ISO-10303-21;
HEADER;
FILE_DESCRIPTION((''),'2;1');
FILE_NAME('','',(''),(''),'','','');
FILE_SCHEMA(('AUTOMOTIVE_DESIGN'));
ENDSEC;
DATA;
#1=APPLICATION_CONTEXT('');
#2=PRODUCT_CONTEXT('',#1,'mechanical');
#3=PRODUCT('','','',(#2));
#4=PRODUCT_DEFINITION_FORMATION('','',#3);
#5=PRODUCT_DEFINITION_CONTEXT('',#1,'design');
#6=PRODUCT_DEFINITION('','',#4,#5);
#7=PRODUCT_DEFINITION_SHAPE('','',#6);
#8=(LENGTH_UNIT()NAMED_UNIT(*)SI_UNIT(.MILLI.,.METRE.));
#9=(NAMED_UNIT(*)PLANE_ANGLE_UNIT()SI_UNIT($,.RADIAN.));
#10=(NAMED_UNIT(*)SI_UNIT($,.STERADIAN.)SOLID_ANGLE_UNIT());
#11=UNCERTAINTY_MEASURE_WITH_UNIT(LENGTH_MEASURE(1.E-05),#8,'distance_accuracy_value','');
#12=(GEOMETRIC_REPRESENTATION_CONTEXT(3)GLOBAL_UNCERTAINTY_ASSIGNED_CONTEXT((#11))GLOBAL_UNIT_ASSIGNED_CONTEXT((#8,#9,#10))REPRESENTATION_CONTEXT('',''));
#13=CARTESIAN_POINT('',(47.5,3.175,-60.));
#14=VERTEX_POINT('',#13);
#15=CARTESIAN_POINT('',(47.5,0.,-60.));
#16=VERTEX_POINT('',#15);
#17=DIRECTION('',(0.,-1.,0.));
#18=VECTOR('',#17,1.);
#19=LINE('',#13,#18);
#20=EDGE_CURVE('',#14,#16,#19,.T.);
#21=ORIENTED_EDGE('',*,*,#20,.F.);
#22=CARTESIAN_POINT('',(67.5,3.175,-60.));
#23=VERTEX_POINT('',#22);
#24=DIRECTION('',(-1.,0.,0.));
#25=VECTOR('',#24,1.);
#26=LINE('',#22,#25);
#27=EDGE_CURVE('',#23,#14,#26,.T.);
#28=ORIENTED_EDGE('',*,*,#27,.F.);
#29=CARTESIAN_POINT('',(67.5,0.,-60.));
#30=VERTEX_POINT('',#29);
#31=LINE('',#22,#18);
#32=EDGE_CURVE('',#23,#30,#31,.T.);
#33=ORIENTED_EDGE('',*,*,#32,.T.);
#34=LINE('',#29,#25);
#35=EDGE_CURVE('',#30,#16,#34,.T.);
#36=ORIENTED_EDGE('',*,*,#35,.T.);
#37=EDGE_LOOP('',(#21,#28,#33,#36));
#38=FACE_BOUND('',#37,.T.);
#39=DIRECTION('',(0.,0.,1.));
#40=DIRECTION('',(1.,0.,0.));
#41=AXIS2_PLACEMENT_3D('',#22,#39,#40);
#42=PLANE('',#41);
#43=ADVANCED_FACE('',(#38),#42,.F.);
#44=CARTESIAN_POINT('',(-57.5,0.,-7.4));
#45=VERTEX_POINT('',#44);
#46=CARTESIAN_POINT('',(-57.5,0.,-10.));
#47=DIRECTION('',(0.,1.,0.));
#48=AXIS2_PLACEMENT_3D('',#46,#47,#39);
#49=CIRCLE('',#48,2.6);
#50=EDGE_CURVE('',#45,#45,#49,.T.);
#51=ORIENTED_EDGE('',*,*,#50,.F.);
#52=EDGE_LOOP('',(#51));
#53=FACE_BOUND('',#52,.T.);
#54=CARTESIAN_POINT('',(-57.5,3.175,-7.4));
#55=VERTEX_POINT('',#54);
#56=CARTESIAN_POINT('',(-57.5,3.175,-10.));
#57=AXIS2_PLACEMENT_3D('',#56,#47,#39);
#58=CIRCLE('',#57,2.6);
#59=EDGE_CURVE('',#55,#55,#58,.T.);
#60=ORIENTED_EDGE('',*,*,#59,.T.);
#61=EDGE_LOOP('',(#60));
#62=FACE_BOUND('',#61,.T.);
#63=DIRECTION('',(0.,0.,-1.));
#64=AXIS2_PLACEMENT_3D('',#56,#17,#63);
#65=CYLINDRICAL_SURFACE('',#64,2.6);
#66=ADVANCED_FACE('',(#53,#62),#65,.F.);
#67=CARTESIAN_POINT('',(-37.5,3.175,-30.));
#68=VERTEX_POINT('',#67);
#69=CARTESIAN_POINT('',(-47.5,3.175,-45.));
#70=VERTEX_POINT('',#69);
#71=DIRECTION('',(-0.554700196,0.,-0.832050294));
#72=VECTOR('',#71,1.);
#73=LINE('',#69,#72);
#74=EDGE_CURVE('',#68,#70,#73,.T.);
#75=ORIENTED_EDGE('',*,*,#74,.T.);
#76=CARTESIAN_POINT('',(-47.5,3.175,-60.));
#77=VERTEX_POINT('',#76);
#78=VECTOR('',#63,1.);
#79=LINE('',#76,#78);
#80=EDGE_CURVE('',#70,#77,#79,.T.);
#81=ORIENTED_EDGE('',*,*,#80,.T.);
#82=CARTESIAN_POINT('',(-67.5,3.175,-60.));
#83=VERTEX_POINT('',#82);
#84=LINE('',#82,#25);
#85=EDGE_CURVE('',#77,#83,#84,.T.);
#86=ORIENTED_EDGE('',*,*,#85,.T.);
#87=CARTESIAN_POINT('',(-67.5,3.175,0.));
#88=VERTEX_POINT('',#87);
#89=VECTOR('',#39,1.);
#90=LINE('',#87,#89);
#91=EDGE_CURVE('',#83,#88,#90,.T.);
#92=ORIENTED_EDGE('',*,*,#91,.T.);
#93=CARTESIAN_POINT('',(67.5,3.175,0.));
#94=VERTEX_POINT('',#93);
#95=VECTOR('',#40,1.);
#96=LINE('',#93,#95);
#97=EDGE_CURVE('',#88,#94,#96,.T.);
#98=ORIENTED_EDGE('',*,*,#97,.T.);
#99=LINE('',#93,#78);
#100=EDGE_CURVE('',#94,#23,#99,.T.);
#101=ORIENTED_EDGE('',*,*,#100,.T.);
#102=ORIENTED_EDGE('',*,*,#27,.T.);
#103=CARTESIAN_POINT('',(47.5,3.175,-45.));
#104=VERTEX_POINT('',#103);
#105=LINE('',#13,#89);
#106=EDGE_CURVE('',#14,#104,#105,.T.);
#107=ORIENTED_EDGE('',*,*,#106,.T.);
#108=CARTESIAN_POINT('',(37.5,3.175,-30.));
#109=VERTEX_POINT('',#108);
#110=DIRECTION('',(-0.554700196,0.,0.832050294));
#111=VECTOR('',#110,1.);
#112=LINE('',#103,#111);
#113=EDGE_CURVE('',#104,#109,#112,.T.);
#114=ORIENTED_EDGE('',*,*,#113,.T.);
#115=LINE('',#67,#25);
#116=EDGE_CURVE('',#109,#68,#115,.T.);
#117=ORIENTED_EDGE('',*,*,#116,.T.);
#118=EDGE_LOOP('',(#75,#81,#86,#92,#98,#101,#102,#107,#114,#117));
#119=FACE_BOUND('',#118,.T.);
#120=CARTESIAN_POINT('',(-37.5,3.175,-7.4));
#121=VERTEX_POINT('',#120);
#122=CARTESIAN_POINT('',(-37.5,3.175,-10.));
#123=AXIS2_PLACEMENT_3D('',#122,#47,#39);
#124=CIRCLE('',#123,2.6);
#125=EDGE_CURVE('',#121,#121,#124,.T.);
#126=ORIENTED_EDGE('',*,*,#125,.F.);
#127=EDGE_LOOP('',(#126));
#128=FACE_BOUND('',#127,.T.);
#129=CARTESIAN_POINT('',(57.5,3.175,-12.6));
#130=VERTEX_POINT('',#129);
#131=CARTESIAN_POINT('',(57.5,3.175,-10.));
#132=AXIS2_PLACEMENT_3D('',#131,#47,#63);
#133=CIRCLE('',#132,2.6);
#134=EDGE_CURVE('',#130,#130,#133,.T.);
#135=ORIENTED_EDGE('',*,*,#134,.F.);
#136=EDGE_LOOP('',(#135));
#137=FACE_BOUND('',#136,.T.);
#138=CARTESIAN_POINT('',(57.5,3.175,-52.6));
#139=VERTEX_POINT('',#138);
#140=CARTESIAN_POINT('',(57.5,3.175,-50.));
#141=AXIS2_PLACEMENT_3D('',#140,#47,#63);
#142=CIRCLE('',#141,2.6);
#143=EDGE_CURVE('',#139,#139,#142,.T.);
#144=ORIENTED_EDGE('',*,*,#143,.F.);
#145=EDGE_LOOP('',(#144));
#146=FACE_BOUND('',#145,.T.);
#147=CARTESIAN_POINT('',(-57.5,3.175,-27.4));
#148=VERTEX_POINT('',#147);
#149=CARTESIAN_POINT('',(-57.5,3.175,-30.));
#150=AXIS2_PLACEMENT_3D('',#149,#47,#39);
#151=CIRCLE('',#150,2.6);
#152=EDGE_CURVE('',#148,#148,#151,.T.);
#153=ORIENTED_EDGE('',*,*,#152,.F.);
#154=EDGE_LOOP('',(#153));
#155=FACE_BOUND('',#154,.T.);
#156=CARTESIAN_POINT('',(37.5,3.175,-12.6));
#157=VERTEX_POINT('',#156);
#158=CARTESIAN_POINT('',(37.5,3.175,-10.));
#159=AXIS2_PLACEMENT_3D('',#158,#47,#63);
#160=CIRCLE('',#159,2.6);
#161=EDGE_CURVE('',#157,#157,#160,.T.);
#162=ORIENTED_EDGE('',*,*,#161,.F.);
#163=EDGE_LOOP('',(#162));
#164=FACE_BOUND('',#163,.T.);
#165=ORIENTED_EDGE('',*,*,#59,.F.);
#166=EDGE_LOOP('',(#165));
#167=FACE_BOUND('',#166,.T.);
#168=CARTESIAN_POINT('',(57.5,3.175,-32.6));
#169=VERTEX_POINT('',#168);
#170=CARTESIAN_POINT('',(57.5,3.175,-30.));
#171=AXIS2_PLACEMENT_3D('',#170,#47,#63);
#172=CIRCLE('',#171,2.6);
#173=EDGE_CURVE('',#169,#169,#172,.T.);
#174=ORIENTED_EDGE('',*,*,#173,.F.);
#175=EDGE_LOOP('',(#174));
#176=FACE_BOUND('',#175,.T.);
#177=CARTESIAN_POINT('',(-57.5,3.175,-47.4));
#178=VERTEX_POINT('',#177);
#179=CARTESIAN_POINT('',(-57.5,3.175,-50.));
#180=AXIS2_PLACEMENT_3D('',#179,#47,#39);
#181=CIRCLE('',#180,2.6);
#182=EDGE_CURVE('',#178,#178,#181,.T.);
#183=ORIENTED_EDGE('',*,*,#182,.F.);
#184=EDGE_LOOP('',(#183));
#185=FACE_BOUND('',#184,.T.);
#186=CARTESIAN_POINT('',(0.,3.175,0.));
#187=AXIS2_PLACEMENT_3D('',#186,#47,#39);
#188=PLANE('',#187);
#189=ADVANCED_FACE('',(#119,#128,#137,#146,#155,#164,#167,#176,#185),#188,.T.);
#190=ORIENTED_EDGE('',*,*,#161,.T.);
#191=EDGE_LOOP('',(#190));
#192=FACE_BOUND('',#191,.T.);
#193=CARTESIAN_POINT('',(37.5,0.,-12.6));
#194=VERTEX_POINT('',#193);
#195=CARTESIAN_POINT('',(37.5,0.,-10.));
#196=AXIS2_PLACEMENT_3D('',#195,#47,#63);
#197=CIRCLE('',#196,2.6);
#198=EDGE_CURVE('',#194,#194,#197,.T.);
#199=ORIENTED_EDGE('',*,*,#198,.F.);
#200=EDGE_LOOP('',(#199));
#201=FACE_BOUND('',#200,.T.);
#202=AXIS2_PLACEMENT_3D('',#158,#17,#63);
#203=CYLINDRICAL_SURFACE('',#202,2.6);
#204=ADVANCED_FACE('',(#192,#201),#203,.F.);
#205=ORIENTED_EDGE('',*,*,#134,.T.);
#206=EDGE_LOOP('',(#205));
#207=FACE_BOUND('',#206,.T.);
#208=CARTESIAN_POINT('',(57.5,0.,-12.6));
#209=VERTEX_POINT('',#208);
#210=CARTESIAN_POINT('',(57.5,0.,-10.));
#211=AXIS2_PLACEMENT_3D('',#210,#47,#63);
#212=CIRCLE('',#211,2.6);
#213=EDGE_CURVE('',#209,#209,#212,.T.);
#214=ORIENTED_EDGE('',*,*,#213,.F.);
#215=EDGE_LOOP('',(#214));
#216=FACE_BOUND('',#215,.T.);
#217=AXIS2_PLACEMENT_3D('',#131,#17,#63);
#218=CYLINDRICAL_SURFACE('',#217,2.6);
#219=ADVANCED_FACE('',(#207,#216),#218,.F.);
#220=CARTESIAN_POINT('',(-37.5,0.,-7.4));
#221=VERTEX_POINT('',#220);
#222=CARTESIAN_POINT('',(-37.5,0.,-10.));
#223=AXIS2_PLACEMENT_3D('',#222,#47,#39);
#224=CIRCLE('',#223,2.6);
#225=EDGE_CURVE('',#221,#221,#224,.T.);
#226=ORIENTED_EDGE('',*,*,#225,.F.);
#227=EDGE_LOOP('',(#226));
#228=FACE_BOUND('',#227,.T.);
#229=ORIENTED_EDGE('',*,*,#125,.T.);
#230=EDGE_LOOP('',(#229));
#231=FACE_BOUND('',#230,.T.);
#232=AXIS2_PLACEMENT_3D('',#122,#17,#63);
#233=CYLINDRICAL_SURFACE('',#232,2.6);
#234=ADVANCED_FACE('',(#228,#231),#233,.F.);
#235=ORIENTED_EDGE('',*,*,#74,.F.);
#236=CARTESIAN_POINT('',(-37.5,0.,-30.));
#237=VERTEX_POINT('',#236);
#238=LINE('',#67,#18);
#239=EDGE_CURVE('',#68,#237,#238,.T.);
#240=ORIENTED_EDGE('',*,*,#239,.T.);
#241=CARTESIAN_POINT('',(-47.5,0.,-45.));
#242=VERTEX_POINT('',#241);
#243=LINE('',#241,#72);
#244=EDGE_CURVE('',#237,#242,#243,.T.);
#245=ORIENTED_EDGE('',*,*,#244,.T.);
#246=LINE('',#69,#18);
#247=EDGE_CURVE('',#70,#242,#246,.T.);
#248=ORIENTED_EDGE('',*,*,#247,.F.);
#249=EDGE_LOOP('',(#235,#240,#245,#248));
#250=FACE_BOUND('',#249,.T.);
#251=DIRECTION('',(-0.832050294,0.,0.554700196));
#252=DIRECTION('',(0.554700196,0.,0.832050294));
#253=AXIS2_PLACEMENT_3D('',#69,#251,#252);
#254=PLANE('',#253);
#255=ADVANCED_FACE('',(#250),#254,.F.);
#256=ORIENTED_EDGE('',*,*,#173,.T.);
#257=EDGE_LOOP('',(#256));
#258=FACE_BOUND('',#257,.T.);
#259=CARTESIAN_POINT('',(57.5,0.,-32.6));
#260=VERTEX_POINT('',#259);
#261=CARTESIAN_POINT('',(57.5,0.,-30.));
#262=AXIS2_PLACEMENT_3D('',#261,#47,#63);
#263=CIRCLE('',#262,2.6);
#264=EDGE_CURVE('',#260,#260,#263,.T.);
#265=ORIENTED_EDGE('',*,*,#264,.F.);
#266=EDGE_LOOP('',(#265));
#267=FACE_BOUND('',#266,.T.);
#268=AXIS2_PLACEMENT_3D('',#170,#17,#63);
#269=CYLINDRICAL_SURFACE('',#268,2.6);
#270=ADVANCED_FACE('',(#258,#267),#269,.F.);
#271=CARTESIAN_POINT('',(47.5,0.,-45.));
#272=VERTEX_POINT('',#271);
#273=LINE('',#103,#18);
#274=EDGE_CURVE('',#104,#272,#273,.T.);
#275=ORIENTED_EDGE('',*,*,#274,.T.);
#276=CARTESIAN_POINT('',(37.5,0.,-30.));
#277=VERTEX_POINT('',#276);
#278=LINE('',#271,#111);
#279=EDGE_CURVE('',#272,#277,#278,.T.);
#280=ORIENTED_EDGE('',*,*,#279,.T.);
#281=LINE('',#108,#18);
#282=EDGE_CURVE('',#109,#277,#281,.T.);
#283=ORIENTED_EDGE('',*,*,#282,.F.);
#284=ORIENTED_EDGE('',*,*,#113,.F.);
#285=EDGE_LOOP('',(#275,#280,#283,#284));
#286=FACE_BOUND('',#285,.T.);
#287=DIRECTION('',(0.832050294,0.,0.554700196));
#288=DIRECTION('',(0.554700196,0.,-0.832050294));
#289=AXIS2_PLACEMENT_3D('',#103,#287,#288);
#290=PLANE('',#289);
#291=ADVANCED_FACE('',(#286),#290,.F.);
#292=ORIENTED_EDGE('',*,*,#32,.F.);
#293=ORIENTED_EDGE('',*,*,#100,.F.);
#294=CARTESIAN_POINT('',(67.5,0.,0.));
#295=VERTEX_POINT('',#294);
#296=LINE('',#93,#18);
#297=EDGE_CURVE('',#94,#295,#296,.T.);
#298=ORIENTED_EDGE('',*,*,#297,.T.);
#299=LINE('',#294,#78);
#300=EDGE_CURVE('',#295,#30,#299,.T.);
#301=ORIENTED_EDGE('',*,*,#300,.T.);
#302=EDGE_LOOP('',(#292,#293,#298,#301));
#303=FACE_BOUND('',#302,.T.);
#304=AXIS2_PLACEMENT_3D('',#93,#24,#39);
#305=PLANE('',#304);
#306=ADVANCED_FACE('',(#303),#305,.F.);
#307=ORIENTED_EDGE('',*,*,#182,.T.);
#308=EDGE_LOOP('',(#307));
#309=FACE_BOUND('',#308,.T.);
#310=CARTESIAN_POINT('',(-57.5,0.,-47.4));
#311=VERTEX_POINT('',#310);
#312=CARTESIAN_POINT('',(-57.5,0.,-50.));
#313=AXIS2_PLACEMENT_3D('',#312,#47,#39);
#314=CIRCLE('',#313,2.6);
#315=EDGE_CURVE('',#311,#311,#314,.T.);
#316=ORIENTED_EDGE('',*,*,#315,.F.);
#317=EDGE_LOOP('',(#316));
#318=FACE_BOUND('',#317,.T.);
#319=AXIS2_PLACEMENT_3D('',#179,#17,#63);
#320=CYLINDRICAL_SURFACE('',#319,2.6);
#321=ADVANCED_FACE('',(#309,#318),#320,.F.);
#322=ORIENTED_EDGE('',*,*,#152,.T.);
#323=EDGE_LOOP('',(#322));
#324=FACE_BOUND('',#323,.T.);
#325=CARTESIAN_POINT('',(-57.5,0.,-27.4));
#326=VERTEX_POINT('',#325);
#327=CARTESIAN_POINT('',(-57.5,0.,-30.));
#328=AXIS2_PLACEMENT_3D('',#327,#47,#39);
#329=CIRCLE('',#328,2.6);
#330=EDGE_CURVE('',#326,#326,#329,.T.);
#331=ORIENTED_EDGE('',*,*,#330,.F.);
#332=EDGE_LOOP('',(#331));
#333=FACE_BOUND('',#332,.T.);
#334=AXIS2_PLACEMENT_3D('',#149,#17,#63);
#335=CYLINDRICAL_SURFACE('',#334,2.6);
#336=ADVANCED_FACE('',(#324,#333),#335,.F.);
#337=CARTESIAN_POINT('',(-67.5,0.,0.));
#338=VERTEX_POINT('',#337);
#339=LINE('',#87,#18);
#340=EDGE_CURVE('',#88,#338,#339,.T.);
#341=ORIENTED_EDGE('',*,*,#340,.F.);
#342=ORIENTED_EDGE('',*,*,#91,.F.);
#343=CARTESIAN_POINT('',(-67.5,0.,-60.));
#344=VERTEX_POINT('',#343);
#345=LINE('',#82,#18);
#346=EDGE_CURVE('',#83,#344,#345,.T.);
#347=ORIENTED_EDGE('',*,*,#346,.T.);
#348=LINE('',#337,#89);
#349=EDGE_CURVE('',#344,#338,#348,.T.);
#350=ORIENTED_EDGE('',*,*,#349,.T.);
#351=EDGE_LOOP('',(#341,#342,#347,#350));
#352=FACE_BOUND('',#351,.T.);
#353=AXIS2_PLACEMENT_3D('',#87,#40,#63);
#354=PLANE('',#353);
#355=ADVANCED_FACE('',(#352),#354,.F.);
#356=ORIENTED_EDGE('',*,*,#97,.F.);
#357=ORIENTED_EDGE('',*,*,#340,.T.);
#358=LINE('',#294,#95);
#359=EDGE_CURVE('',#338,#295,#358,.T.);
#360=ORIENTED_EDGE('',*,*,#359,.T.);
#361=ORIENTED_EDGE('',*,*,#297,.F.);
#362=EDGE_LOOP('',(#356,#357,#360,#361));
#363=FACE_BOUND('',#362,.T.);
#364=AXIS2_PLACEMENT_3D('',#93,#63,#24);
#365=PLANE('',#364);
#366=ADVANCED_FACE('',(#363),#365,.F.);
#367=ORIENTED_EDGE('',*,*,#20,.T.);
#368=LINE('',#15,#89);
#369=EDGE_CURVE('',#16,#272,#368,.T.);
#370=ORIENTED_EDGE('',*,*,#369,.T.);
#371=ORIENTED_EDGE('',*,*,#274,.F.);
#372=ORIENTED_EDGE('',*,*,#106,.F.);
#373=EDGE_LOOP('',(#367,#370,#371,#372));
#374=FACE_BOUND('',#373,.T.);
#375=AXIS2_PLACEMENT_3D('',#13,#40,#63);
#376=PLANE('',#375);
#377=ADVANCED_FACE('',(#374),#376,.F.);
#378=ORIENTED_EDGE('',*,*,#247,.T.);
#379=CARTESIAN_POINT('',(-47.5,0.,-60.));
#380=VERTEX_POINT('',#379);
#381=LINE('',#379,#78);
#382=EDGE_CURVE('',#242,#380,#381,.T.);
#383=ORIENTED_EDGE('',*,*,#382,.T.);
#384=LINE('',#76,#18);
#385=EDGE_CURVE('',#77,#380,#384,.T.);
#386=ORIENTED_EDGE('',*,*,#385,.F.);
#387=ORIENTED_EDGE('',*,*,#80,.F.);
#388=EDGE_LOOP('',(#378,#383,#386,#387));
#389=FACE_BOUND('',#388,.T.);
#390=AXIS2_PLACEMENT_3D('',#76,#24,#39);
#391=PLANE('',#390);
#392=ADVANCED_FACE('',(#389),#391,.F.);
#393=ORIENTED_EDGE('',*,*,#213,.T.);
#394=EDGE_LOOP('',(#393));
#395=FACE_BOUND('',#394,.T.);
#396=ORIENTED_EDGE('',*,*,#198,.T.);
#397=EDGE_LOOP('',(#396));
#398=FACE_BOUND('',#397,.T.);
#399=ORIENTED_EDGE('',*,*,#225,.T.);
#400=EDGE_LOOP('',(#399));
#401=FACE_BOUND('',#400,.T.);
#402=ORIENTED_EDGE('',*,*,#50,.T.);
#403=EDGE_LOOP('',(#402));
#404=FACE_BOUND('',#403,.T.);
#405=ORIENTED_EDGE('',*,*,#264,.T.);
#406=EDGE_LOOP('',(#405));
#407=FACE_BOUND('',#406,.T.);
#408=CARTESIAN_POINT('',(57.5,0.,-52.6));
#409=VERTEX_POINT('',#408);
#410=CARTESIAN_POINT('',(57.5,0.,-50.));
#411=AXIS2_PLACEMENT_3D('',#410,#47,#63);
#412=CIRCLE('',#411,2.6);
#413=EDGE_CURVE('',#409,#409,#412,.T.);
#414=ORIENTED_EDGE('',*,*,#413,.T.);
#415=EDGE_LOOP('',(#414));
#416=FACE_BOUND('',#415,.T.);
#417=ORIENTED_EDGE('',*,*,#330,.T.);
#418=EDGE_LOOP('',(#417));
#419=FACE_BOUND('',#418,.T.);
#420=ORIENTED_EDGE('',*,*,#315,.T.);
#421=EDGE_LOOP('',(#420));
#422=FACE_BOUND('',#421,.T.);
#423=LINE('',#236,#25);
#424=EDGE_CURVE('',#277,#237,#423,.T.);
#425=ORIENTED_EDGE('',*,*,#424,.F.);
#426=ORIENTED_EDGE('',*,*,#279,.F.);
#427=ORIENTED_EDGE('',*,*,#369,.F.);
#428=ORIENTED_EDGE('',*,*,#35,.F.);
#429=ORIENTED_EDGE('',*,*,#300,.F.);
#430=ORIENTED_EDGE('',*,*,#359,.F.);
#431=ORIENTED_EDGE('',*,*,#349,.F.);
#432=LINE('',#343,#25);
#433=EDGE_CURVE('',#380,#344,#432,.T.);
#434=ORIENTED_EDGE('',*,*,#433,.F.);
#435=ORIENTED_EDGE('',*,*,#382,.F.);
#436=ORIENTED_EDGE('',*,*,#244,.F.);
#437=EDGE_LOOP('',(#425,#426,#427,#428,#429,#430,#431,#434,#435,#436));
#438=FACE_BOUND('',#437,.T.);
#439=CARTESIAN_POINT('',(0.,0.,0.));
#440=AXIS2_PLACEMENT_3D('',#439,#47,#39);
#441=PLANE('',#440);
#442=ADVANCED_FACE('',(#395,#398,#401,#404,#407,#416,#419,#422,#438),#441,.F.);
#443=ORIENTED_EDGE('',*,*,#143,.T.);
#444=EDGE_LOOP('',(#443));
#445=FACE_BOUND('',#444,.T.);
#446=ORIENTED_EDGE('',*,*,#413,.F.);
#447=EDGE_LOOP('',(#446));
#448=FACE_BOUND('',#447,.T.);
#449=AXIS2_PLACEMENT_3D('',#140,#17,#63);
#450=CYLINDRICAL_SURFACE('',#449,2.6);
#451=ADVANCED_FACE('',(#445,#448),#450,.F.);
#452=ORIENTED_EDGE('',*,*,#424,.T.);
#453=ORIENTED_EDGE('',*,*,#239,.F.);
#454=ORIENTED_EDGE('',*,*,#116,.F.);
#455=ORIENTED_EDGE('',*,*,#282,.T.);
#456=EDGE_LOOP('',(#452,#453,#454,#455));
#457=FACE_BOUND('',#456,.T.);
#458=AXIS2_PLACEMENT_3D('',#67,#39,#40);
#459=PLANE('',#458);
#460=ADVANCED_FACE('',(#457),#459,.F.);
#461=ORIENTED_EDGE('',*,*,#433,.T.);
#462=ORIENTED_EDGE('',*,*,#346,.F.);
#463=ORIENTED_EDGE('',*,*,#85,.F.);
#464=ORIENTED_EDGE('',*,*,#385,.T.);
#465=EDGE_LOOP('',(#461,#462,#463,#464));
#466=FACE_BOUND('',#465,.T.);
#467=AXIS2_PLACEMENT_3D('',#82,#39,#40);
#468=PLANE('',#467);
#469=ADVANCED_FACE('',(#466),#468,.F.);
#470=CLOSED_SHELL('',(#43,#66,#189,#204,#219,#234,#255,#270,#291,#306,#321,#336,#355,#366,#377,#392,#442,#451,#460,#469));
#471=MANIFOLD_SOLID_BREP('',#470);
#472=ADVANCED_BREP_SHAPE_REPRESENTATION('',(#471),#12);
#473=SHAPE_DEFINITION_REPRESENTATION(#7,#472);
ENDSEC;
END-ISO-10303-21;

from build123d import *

# Parameters (mm, degrees)
SKETCH1_R           = 2.6
BOSS_EXTRUDE1_DEPTH = 3.175


with BuildPart() as part:
    # Sketch1 → Boss-Extrude1 (new body)
    with BuildSketch(Plane(origin=(0, 0, 0), x_dir=(1, 0, 0), z_dir=(0, 1, 0))):
        Polygon((47.5, 45), (37.5, 30), (-37.5, 30), (-47.5, 45), (-47.5, 60), (-67.5, 60), (-67.5, 0), (67.5, 0), (67.5, 60), (47.5, 60), align=None)
        with Locations((-37.5, 10)):
            Circle(SKETCH1_R, mode=Mode.SUBTRACT)
        with Locations((-57.5, 10)):
            Circle(SKETCH1_R, mode=Mode.SUBTRACT)
        with Locations((-57.5, 30)):
            Circle(SKETCH1_R, mode=Mode.SUBTRACT)
        with Locations((-57.5, 50)):
            Circle(SKETCH1_R, mode=Mode.SUBTRACT)
        with Locations((57.5, 50)):
            Circle(SKETCH1_R, mode=Mode.SUBTRACT)
        with Locations((57.5, 30)):
            Circle(SKETCH1_R, mode=Mode.SUBTRACT)
        with Locations((57.5, 10)):
            Circle(SKETCH1_R, mode=Mode.SUBTRACT)
        with Locations((37.5, 10)):
            Circle(SKETCH1_R, mode=Mode.SUBTRACT)
    extrude(amount=BOSS_EXTRUDE1_DEPTH)


solid = part.part
